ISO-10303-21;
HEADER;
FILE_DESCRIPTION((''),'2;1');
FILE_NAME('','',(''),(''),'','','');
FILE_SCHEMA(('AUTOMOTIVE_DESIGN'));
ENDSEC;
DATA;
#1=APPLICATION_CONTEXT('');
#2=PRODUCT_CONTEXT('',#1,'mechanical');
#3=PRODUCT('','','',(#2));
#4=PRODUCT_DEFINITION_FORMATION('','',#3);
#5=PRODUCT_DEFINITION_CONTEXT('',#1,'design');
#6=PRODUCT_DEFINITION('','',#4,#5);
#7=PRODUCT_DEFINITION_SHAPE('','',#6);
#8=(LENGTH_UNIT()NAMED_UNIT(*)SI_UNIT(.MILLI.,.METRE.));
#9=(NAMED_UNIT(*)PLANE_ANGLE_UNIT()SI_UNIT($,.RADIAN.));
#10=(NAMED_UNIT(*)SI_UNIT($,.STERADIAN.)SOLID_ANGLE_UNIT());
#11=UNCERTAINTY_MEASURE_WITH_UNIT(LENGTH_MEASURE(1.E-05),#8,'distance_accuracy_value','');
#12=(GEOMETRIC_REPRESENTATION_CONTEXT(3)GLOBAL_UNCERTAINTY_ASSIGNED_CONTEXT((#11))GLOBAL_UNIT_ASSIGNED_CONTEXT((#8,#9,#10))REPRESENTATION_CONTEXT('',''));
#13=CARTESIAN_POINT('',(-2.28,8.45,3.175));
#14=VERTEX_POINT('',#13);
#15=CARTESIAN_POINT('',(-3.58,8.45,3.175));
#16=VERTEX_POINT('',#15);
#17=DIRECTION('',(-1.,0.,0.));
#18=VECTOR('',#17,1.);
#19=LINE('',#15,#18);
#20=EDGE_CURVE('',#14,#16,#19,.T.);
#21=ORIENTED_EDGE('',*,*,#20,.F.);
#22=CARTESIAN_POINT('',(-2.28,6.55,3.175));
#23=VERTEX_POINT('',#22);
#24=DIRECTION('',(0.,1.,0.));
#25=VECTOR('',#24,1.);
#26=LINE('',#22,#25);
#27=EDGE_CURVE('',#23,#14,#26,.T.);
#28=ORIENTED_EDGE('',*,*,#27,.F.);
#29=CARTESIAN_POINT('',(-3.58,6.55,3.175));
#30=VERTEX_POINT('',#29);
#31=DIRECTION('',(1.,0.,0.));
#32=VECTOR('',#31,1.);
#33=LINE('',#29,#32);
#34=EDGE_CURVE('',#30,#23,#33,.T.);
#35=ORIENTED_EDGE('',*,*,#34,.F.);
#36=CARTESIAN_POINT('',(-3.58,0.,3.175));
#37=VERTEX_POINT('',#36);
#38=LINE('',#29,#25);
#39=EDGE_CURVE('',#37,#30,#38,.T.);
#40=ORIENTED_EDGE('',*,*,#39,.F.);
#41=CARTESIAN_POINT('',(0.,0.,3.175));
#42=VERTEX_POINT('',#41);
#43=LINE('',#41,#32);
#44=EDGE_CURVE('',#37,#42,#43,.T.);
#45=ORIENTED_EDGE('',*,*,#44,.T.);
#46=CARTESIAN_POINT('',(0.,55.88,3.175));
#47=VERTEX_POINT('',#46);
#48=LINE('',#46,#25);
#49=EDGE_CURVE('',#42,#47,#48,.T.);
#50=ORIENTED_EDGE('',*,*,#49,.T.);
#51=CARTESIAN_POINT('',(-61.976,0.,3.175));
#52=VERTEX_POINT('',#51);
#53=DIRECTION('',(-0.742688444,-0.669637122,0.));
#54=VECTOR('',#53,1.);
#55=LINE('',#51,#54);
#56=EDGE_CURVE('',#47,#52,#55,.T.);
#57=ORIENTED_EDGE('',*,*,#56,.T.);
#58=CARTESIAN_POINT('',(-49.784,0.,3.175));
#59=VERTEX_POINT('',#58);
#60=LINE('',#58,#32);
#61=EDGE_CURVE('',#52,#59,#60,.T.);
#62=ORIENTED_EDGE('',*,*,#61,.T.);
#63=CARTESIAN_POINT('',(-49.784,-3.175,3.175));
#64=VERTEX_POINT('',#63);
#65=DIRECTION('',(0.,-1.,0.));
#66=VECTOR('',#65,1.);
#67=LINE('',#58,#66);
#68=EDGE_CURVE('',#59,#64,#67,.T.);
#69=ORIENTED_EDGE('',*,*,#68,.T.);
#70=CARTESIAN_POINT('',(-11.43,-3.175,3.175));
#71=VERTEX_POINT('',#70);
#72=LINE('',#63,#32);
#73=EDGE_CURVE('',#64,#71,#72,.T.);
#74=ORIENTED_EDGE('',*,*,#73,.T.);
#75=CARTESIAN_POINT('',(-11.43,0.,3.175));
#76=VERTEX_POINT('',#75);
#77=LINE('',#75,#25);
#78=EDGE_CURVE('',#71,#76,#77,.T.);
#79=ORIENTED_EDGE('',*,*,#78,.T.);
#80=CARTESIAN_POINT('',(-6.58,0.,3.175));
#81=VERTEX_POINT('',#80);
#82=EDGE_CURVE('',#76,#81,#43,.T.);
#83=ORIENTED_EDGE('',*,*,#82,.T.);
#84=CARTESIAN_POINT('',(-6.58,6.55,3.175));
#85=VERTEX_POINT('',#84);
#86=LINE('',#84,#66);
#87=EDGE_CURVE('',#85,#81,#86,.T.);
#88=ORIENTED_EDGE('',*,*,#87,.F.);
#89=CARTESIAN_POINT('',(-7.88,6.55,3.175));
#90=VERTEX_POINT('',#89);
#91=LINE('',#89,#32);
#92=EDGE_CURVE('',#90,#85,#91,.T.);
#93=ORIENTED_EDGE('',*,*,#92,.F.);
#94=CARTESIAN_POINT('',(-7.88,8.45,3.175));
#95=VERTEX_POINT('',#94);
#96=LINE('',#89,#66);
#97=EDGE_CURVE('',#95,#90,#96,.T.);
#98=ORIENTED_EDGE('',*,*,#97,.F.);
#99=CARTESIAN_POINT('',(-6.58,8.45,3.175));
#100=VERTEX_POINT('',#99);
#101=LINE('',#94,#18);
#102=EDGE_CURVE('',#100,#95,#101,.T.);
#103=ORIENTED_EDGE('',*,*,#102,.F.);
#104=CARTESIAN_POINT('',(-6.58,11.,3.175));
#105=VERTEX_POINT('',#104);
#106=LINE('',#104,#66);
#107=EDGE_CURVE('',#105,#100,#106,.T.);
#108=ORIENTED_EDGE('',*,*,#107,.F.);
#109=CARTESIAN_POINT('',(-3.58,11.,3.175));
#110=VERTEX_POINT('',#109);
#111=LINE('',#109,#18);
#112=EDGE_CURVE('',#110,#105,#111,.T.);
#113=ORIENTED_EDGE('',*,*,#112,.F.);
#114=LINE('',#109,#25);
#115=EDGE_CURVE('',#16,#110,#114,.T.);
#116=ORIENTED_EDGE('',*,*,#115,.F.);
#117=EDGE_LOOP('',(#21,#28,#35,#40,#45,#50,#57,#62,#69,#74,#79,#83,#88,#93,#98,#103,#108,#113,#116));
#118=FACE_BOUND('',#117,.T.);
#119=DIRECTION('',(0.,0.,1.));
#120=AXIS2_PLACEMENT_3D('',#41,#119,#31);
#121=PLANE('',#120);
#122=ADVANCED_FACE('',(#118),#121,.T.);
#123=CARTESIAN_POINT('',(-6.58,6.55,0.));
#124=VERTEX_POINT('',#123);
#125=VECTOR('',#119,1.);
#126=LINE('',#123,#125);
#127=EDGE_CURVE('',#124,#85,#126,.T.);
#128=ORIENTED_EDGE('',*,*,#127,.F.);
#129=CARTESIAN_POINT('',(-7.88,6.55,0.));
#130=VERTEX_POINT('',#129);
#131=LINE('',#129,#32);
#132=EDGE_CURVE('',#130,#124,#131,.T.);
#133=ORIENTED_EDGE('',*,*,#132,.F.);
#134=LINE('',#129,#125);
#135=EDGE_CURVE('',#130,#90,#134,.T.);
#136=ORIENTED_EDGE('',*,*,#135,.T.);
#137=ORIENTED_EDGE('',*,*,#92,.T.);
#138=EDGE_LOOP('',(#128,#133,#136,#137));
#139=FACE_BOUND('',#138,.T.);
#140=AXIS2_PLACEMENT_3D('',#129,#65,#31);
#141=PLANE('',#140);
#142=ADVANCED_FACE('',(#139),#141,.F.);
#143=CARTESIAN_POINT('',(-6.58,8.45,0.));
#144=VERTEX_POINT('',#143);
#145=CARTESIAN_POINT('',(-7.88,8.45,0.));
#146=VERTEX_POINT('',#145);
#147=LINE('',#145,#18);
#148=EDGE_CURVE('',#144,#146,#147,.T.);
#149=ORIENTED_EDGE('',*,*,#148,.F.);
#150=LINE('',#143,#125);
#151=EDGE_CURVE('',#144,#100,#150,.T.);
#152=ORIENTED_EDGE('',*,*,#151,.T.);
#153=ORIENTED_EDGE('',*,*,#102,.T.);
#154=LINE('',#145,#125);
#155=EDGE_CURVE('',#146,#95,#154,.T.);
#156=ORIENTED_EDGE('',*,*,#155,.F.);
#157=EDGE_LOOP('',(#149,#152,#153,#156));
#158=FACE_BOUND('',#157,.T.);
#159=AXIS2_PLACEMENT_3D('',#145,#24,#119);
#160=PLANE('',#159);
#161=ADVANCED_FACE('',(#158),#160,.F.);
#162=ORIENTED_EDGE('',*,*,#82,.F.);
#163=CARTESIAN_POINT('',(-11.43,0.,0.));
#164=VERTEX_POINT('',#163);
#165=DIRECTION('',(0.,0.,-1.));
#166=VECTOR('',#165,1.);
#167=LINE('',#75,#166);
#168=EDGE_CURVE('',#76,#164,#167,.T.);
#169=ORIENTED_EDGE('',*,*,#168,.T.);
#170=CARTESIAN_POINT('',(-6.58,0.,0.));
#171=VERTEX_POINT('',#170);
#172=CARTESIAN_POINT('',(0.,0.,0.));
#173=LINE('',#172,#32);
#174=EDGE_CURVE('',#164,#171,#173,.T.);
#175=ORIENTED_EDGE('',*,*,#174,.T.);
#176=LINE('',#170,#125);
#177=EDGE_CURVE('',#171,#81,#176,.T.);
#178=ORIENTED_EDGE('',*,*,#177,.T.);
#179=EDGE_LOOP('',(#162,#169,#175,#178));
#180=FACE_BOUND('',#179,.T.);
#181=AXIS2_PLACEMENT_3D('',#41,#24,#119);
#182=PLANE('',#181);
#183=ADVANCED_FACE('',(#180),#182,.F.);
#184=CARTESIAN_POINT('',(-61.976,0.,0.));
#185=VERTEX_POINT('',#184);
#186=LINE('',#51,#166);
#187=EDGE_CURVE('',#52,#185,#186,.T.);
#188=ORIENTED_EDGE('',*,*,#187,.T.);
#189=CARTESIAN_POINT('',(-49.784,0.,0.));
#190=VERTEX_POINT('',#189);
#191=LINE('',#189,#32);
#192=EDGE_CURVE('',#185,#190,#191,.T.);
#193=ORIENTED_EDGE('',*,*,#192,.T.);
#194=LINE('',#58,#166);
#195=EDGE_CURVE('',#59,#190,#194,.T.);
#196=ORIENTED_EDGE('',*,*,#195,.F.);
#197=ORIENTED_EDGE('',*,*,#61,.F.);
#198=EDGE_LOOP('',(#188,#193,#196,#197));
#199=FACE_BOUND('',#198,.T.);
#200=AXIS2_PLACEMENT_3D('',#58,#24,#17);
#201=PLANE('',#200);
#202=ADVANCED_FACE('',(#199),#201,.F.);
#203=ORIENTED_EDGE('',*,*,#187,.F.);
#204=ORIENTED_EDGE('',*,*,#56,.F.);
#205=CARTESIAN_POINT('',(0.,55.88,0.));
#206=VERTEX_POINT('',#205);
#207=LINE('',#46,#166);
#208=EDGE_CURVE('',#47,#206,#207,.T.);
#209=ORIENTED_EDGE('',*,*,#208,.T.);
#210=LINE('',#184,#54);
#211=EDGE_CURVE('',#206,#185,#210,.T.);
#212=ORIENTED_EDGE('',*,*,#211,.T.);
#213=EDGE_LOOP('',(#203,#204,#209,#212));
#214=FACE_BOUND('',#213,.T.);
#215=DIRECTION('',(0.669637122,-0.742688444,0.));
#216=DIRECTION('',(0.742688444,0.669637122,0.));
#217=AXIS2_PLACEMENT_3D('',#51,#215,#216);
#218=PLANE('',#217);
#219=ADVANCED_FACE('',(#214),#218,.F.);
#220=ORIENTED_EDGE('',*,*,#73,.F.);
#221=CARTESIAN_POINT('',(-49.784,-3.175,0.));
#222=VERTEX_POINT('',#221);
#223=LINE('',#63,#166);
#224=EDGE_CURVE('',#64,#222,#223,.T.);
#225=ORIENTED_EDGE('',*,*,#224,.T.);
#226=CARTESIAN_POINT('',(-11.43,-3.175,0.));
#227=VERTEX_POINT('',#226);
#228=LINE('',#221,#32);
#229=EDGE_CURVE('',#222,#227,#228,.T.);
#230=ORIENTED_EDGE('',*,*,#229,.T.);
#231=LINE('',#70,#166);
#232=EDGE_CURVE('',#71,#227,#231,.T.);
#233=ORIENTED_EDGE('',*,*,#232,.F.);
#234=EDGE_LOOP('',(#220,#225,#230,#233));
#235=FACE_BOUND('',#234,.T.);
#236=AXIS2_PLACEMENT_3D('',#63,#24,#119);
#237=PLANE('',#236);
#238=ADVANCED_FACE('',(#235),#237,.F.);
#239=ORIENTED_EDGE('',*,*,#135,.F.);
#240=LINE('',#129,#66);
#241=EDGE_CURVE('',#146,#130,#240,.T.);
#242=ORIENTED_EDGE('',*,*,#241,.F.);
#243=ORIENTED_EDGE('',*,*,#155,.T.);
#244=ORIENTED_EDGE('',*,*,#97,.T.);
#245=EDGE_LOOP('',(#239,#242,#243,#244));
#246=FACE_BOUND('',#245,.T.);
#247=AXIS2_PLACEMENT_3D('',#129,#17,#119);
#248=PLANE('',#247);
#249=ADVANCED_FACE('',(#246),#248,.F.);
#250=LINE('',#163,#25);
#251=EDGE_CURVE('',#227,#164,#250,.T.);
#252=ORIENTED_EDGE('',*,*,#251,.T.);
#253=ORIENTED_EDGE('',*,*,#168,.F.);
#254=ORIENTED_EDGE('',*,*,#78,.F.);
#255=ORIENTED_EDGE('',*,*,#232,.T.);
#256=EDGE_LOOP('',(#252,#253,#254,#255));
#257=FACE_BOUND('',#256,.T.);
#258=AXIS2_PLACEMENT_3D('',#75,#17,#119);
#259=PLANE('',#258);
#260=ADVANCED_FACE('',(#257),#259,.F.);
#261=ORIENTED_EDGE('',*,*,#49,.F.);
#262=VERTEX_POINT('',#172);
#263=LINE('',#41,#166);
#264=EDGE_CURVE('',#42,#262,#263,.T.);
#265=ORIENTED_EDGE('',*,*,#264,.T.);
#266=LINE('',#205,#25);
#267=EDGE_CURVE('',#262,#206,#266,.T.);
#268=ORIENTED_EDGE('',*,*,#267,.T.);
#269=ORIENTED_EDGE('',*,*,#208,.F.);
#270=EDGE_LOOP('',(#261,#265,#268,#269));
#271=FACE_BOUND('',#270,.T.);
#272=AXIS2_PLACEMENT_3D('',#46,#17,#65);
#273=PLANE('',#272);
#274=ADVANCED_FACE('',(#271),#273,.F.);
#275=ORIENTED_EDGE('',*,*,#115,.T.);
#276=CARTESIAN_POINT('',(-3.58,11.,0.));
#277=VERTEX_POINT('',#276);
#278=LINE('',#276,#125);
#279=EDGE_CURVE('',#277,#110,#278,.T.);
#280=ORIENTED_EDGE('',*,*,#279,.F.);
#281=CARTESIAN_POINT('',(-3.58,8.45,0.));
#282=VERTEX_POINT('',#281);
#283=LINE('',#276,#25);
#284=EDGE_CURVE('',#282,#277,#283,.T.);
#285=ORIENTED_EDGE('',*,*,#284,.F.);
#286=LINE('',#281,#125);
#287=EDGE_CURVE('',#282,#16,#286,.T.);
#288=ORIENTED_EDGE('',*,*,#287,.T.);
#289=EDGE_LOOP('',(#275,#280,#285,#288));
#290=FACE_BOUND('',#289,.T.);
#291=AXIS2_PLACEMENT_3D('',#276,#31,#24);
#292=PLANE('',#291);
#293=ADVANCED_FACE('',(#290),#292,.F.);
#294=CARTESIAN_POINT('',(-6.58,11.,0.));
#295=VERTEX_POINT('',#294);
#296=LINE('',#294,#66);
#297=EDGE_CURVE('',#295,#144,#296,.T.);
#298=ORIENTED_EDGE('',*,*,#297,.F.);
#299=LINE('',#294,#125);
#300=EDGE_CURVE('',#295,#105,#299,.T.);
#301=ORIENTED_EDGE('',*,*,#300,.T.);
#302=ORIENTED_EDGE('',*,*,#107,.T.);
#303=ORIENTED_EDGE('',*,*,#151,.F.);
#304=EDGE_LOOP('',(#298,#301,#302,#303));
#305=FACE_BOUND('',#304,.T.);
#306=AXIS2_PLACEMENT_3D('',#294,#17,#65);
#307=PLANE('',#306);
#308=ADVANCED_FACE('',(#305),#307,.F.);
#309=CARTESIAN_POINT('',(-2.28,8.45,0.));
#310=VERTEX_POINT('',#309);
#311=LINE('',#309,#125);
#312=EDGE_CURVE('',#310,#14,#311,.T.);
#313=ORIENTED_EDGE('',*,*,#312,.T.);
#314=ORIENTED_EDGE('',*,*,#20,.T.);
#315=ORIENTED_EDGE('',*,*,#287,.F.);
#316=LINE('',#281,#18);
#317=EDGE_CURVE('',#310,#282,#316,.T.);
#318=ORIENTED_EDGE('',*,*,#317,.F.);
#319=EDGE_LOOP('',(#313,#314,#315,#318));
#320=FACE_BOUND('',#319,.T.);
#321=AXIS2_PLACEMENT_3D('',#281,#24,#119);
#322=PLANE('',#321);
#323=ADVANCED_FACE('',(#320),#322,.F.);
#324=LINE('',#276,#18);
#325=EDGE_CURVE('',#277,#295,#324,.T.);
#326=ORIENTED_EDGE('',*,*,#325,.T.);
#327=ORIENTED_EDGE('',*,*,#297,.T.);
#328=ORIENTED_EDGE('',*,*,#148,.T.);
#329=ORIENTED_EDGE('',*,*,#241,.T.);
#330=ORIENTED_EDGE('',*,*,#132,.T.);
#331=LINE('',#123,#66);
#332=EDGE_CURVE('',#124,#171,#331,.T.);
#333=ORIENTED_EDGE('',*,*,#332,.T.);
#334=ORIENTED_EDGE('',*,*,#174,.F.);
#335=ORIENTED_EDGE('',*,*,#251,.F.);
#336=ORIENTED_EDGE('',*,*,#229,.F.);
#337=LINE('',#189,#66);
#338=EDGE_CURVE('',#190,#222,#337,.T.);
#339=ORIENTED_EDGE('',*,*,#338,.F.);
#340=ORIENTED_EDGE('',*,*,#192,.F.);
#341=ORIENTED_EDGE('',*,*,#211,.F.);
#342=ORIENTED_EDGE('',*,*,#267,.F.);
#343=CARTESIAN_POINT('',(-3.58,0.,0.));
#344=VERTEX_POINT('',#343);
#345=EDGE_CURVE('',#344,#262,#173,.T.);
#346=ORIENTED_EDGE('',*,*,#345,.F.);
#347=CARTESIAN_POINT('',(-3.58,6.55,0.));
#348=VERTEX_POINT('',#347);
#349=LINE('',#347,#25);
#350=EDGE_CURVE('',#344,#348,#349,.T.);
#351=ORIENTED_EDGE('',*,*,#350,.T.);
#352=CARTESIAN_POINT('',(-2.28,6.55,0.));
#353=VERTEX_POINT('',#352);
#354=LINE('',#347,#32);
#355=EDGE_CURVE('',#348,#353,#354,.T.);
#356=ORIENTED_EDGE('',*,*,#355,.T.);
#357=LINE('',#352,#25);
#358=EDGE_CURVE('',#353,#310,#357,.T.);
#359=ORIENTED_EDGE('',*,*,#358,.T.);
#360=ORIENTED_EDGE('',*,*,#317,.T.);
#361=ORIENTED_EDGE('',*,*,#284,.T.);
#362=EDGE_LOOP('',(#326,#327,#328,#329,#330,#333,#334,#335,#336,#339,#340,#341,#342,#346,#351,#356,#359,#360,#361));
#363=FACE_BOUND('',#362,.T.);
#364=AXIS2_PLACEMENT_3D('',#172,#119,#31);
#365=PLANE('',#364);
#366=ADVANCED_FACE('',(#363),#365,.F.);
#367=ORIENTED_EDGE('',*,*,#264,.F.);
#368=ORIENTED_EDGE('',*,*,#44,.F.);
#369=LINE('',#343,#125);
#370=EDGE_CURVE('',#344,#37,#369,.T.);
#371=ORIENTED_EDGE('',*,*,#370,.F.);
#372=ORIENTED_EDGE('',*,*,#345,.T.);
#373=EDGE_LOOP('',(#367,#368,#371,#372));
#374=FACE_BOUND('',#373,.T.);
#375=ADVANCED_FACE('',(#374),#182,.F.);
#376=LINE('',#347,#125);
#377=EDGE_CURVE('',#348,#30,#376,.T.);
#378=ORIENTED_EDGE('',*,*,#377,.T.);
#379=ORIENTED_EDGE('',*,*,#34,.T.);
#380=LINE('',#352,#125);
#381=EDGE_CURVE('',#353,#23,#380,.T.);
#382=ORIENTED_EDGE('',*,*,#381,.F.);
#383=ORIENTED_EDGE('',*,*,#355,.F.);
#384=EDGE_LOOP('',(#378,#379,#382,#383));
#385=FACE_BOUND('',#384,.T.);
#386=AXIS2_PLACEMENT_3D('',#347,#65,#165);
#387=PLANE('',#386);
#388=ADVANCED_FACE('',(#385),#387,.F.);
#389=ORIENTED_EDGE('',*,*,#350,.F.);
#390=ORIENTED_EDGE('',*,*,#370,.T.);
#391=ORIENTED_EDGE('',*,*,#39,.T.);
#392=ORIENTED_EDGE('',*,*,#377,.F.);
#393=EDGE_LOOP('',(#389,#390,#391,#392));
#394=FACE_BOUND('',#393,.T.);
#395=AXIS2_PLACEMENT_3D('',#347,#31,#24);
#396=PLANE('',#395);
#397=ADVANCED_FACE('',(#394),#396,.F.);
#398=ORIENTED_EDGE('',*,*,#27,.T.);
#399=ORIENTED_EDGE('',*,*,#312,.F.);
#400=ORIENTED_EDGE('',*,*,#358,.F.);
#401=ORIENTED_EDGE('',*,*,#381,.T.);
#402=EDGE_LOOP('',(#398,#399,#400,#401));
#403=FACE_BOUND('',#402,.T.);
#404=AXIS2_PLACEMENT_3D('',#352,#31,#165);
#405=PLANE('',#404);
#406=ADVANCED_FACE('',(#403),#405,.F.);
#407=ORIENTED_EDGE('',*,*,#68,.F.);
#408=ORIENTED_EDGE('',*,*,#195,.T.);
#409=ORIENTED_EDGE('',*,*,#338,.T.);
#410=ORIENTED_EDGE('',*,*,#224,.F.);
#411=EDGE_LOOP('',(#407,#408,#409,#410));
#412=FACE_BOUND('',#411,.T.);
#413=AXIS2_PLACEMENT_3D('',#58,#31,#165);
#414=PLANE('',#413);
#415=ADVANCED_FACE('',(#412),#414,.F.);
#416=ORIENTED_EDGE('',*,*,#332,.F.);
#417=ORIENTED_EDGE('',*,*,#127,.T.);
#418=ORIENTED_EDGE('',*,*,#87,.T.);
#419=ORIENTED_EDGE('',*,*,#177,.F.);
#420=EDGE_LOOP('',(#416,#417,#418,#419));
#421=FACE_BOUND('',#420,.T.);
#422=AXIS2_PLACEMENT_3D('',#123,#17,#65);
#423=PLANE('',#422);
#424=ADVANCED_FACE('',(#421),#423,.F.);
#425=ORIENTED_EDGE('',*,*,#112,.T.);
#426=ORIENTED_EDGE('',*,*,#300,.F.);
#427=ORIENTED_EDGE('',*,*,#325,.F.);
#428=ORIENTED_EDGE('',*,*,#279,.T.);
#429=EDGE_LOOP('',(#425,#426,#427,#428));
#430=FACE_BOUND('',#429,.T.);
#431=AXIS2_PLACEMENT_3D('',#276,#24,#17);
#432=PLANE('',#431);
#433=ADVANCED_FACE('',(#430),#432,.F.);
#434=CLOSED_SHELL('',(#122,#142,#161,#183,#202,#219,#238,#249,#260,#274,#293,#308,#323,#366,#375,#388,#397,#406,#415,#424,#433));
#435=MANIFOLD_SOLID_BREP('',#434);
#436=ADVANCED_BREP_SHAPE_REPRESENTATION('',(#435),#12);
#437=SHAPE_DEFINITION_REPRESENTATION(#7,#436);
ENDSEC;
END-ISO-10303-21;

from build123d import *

# Parameters (mm, degrees)
BOSS_EXTRUDE1_DEPTH = 3.175
CUT_EXTRUDE1_DEPTH  = 84.508560046


with BuildPart() as part:
    # Sketch1 → Boss-Extrude1 (new body)
    with BuildSketch(Plane.XY):
        Polygon((-61.976, 0), (0, 55.88), (0, 0), (-11.43, 0), (-11.43, -3.175), (-49.784, -3.175), (-49.784, 0), align=None)
    extrude(amount=BOSS_EXTRUDE1_DEPTH)

    # Sketch2 → Cut-Extrude1 (cut, through all)
    with BuildSketch(Plane.XY.offset(3.175)):
        Polygon((-3.58, 11), (-3.58, 8.45), (-2.28, 8.45), (-2.28, 6.55), (-3.58, 6.55), (-3.58, 0), (-6.58, 0), (-6.58, 6.55), (-7.88, 6.55), (-7.88, 8.45), (-6.58, 8.45), (-6.58, 11), align=None)
    extrude(amount=-CUT_EXTRUDE1_DEPTH, mode=Mode.SUBTRACT)


solid = part.part
